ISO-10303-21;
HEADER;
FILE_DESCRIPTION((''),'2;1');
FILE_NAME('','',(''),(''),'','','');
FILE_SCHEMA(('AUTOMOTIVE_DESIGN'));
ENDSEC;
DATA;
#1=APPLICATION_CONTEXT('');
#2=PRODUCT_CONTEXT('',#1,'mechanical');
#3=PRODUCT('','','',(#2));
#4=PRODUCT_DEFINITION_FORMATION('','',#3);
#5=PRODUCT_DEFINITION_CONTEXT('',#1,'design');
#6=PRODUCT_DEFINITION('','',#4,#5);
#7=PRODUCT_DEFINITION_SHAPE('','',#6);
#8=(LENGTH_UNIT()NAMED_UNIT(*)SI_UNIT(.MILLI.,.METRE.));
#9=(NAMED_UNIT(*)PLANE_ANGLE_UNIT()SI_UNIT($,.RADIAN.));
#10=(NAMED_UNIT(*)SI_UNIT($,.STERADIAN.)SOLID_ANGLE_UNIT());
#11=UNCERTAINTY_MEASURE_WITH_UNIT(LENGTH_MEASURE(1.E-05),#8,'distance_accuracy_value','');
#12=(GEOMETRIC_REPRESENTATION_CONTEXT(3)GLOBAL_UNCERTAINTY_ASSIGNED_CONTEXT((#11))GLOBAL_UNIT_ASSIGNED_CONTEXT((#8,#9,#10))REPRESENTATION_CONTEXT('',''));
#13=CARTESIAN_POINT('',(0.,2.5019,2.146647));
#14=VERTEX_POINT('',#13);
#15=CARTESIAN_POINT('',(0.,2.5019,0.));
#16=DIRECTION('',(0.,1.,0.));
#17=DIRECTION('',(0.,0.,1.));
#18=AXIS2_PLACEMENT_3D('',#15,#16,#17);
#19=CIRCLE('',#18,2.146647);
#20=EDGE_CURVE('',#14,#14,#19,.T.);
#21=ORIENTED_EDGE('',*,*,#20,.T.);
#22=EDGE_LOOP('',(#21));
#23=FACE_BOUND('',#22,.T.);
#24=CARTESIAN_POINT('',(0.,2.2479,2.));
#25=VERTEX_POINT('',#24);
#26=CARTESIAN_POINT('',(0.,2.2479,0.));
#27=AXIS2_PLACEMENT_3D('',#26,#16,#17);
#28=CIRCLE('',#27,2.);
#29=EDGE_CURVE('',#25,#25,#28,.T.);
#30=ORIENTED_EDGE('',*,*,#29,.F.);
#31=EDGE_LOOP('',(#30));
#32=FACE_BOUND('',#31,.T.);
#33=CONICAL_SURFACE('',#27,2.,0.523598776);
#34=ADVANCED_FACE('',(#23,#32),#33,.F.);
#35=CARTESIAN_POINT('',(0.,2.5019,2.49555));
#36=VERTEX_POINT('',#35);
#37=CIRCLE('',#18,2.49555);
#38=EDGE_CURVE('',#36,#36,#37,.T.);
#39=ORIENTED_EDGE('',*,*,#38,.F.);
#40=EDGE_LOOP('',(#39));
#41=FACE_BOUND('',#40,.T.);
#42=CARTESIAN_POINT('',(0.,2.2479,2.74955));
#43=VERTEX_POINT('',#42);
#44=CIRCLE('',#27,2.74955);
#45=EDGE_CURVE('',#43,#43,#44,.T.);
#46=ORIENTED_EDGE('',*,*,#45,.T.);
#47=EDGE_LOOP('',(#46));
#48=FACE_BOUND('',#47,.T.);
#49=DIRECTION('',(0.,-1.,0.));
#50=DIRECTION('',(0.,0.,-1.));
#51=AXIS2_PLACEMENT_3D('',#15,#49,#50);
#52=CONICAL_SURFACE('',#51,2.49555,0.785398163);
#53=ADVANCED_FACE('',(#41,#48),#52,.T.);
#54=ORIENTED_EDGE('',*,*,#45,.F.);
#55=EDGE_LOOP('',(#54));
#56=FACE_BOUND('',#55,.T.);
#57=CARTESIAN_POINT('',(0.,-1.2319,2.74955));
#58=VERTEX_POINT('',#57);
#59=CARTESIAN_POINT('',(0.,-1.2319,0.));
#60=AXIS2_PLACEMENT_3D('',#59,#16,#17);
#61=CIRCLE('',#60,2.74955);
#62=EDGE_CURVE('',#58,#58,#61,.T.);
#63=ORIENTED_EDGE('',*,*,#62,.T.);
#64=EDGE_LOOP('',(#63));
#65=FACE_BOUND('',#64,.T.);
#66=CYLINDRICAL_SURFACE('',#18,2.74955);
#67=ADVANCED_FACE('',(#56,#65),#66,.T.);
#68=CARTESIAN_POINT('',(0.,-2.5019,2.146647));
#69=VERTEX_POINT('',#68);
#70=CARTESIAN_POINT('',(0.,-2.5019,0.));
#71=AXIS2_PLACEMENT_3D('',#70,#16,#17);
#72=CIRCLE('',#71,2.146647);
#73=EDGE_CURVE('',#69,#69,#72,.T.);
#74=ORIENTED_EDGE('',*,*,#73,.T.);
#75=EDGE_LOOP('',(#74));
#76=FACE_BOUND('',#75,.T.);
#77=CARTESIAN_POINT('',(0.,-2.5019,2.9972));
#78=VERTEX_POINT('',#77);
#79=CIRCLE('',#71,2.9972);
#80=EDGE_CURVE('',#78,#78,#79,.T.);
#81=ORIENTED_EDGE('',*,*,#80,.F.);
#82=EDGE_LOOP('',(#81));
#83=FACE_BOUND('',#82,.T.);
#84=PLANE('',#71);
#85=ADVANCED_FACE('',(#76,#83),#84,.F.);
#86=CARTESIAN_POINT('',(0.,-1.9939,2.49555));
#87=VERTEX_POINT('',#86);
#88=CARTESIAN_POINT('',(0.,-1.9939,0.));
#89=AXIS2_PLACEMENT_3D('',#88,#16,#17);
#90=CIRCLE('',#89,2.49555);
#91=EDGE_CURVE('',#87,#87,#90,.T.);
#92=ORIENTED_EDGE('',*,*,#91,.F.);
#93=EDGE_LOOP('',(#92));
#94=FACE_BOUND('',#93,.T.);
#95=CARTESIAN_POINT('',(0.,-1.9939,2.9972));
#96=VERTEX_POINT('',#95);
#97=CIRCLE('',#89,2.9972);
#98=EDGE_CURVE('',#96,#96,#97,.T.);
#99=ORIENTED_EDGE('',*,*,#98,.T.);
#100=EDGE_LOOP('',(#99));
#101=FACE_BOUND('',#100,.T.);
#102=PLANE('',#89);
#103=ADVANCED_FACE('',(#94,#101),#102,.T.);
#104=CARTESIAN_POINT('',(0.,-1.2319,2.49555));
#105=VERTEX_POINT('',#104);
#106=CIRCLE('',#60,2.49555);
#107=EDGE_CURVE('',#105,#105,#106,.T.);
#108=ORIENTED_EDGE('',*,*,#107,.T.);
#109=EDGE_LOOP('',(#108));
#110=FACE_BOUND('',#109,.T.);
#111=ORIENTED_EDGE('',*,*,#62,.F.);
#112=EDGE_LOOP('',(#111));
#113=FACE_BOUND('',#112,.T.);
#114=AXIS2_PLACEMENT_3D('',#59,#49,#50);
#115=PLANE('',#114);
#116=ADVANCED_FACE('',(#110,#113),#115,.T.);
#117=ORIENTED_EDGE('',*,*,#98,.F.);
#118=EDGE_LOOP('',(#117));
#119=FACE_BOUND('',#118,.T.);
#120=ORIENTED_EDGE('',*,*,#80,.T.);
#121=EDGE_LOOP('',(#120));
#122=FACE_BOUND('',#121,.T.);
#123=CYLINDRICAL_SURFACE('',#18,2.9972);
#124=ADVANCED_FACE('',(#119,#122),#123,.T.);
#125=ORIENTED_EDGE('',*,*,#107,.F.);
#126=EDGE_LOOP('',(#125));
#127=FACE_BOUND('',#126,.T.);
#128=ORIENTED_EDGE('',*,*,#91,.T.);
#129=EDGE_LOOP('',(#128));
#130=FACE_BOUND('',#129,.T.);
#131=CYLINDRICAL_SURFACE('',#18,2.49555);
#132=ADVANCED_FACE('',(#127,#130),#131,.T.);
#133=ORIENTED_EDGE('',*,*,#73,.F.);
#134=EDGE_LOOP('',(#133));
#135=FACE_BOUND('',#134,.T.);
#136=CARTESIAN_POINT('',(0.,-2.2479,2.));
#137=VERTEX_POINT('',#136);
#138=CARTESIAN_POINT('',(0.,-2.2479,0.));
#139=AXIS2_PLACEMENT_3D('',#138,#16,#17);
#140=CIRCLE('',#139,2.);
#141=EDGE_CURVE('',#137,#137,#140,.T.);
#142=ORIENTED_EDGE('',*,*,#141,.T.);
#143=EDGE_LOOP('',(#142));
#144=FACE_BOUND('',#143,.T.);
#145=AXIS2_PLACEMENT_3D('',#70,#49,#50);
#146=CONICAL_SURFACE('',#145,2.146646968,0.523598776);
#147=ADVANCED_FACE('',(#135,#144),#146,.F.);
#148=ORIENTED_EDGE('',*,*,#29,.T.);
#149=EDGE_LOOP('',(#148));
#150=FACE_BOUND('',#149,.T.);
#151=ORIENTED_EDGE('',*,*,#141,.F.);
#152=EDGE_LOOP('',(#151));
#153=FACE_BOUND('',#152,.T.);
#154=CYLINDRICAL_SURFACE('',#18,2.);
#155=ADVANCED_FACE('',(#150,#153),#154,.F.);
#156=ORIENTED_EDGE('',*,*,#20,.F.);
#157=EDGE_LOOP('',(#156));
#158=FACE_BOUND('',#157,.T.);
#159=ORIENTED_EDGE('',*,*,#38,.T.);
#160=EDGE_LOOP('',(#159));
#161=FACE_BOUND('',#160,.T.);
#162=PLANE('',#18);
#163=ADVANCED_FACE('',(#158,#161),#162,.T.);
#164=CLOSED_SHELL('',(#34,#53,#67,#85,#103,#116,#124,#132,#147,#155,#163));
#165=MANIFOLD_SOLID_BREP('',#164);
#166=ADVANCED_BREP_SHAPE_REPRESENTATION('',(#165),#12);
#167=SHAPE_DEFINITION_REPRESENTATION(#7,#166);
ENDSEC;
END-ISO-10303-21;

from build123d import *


with BuildPart() as part:
    # Sketch1 → Revolve1 (revolve)
    with BuildSketch(Plane.XY, mode=Mode.PRIVATE) as revolve1_sk:
        Polygon((2.146646968, -2.5019), (2.9972, -2.5019), (2.9972, -1.9939), (2.49555, -1.9939), (2.49555, -1.2319), (2.74955, -1.2319), (2.74955, 2.2479), (2.49555, 2.5019), (2.146646968, 2.5019), (2, 2.2479), (2, -2.2479), align=None)
    revolve(revolve1_sk.sketch.rotate(Axis((0, 2.5019, 0), (0, -1, 0)), 90), axis=Axis((0, 2.5019, 0), (0, -1, 0)))  # turned: the seam where the file's is


solid = part.part
